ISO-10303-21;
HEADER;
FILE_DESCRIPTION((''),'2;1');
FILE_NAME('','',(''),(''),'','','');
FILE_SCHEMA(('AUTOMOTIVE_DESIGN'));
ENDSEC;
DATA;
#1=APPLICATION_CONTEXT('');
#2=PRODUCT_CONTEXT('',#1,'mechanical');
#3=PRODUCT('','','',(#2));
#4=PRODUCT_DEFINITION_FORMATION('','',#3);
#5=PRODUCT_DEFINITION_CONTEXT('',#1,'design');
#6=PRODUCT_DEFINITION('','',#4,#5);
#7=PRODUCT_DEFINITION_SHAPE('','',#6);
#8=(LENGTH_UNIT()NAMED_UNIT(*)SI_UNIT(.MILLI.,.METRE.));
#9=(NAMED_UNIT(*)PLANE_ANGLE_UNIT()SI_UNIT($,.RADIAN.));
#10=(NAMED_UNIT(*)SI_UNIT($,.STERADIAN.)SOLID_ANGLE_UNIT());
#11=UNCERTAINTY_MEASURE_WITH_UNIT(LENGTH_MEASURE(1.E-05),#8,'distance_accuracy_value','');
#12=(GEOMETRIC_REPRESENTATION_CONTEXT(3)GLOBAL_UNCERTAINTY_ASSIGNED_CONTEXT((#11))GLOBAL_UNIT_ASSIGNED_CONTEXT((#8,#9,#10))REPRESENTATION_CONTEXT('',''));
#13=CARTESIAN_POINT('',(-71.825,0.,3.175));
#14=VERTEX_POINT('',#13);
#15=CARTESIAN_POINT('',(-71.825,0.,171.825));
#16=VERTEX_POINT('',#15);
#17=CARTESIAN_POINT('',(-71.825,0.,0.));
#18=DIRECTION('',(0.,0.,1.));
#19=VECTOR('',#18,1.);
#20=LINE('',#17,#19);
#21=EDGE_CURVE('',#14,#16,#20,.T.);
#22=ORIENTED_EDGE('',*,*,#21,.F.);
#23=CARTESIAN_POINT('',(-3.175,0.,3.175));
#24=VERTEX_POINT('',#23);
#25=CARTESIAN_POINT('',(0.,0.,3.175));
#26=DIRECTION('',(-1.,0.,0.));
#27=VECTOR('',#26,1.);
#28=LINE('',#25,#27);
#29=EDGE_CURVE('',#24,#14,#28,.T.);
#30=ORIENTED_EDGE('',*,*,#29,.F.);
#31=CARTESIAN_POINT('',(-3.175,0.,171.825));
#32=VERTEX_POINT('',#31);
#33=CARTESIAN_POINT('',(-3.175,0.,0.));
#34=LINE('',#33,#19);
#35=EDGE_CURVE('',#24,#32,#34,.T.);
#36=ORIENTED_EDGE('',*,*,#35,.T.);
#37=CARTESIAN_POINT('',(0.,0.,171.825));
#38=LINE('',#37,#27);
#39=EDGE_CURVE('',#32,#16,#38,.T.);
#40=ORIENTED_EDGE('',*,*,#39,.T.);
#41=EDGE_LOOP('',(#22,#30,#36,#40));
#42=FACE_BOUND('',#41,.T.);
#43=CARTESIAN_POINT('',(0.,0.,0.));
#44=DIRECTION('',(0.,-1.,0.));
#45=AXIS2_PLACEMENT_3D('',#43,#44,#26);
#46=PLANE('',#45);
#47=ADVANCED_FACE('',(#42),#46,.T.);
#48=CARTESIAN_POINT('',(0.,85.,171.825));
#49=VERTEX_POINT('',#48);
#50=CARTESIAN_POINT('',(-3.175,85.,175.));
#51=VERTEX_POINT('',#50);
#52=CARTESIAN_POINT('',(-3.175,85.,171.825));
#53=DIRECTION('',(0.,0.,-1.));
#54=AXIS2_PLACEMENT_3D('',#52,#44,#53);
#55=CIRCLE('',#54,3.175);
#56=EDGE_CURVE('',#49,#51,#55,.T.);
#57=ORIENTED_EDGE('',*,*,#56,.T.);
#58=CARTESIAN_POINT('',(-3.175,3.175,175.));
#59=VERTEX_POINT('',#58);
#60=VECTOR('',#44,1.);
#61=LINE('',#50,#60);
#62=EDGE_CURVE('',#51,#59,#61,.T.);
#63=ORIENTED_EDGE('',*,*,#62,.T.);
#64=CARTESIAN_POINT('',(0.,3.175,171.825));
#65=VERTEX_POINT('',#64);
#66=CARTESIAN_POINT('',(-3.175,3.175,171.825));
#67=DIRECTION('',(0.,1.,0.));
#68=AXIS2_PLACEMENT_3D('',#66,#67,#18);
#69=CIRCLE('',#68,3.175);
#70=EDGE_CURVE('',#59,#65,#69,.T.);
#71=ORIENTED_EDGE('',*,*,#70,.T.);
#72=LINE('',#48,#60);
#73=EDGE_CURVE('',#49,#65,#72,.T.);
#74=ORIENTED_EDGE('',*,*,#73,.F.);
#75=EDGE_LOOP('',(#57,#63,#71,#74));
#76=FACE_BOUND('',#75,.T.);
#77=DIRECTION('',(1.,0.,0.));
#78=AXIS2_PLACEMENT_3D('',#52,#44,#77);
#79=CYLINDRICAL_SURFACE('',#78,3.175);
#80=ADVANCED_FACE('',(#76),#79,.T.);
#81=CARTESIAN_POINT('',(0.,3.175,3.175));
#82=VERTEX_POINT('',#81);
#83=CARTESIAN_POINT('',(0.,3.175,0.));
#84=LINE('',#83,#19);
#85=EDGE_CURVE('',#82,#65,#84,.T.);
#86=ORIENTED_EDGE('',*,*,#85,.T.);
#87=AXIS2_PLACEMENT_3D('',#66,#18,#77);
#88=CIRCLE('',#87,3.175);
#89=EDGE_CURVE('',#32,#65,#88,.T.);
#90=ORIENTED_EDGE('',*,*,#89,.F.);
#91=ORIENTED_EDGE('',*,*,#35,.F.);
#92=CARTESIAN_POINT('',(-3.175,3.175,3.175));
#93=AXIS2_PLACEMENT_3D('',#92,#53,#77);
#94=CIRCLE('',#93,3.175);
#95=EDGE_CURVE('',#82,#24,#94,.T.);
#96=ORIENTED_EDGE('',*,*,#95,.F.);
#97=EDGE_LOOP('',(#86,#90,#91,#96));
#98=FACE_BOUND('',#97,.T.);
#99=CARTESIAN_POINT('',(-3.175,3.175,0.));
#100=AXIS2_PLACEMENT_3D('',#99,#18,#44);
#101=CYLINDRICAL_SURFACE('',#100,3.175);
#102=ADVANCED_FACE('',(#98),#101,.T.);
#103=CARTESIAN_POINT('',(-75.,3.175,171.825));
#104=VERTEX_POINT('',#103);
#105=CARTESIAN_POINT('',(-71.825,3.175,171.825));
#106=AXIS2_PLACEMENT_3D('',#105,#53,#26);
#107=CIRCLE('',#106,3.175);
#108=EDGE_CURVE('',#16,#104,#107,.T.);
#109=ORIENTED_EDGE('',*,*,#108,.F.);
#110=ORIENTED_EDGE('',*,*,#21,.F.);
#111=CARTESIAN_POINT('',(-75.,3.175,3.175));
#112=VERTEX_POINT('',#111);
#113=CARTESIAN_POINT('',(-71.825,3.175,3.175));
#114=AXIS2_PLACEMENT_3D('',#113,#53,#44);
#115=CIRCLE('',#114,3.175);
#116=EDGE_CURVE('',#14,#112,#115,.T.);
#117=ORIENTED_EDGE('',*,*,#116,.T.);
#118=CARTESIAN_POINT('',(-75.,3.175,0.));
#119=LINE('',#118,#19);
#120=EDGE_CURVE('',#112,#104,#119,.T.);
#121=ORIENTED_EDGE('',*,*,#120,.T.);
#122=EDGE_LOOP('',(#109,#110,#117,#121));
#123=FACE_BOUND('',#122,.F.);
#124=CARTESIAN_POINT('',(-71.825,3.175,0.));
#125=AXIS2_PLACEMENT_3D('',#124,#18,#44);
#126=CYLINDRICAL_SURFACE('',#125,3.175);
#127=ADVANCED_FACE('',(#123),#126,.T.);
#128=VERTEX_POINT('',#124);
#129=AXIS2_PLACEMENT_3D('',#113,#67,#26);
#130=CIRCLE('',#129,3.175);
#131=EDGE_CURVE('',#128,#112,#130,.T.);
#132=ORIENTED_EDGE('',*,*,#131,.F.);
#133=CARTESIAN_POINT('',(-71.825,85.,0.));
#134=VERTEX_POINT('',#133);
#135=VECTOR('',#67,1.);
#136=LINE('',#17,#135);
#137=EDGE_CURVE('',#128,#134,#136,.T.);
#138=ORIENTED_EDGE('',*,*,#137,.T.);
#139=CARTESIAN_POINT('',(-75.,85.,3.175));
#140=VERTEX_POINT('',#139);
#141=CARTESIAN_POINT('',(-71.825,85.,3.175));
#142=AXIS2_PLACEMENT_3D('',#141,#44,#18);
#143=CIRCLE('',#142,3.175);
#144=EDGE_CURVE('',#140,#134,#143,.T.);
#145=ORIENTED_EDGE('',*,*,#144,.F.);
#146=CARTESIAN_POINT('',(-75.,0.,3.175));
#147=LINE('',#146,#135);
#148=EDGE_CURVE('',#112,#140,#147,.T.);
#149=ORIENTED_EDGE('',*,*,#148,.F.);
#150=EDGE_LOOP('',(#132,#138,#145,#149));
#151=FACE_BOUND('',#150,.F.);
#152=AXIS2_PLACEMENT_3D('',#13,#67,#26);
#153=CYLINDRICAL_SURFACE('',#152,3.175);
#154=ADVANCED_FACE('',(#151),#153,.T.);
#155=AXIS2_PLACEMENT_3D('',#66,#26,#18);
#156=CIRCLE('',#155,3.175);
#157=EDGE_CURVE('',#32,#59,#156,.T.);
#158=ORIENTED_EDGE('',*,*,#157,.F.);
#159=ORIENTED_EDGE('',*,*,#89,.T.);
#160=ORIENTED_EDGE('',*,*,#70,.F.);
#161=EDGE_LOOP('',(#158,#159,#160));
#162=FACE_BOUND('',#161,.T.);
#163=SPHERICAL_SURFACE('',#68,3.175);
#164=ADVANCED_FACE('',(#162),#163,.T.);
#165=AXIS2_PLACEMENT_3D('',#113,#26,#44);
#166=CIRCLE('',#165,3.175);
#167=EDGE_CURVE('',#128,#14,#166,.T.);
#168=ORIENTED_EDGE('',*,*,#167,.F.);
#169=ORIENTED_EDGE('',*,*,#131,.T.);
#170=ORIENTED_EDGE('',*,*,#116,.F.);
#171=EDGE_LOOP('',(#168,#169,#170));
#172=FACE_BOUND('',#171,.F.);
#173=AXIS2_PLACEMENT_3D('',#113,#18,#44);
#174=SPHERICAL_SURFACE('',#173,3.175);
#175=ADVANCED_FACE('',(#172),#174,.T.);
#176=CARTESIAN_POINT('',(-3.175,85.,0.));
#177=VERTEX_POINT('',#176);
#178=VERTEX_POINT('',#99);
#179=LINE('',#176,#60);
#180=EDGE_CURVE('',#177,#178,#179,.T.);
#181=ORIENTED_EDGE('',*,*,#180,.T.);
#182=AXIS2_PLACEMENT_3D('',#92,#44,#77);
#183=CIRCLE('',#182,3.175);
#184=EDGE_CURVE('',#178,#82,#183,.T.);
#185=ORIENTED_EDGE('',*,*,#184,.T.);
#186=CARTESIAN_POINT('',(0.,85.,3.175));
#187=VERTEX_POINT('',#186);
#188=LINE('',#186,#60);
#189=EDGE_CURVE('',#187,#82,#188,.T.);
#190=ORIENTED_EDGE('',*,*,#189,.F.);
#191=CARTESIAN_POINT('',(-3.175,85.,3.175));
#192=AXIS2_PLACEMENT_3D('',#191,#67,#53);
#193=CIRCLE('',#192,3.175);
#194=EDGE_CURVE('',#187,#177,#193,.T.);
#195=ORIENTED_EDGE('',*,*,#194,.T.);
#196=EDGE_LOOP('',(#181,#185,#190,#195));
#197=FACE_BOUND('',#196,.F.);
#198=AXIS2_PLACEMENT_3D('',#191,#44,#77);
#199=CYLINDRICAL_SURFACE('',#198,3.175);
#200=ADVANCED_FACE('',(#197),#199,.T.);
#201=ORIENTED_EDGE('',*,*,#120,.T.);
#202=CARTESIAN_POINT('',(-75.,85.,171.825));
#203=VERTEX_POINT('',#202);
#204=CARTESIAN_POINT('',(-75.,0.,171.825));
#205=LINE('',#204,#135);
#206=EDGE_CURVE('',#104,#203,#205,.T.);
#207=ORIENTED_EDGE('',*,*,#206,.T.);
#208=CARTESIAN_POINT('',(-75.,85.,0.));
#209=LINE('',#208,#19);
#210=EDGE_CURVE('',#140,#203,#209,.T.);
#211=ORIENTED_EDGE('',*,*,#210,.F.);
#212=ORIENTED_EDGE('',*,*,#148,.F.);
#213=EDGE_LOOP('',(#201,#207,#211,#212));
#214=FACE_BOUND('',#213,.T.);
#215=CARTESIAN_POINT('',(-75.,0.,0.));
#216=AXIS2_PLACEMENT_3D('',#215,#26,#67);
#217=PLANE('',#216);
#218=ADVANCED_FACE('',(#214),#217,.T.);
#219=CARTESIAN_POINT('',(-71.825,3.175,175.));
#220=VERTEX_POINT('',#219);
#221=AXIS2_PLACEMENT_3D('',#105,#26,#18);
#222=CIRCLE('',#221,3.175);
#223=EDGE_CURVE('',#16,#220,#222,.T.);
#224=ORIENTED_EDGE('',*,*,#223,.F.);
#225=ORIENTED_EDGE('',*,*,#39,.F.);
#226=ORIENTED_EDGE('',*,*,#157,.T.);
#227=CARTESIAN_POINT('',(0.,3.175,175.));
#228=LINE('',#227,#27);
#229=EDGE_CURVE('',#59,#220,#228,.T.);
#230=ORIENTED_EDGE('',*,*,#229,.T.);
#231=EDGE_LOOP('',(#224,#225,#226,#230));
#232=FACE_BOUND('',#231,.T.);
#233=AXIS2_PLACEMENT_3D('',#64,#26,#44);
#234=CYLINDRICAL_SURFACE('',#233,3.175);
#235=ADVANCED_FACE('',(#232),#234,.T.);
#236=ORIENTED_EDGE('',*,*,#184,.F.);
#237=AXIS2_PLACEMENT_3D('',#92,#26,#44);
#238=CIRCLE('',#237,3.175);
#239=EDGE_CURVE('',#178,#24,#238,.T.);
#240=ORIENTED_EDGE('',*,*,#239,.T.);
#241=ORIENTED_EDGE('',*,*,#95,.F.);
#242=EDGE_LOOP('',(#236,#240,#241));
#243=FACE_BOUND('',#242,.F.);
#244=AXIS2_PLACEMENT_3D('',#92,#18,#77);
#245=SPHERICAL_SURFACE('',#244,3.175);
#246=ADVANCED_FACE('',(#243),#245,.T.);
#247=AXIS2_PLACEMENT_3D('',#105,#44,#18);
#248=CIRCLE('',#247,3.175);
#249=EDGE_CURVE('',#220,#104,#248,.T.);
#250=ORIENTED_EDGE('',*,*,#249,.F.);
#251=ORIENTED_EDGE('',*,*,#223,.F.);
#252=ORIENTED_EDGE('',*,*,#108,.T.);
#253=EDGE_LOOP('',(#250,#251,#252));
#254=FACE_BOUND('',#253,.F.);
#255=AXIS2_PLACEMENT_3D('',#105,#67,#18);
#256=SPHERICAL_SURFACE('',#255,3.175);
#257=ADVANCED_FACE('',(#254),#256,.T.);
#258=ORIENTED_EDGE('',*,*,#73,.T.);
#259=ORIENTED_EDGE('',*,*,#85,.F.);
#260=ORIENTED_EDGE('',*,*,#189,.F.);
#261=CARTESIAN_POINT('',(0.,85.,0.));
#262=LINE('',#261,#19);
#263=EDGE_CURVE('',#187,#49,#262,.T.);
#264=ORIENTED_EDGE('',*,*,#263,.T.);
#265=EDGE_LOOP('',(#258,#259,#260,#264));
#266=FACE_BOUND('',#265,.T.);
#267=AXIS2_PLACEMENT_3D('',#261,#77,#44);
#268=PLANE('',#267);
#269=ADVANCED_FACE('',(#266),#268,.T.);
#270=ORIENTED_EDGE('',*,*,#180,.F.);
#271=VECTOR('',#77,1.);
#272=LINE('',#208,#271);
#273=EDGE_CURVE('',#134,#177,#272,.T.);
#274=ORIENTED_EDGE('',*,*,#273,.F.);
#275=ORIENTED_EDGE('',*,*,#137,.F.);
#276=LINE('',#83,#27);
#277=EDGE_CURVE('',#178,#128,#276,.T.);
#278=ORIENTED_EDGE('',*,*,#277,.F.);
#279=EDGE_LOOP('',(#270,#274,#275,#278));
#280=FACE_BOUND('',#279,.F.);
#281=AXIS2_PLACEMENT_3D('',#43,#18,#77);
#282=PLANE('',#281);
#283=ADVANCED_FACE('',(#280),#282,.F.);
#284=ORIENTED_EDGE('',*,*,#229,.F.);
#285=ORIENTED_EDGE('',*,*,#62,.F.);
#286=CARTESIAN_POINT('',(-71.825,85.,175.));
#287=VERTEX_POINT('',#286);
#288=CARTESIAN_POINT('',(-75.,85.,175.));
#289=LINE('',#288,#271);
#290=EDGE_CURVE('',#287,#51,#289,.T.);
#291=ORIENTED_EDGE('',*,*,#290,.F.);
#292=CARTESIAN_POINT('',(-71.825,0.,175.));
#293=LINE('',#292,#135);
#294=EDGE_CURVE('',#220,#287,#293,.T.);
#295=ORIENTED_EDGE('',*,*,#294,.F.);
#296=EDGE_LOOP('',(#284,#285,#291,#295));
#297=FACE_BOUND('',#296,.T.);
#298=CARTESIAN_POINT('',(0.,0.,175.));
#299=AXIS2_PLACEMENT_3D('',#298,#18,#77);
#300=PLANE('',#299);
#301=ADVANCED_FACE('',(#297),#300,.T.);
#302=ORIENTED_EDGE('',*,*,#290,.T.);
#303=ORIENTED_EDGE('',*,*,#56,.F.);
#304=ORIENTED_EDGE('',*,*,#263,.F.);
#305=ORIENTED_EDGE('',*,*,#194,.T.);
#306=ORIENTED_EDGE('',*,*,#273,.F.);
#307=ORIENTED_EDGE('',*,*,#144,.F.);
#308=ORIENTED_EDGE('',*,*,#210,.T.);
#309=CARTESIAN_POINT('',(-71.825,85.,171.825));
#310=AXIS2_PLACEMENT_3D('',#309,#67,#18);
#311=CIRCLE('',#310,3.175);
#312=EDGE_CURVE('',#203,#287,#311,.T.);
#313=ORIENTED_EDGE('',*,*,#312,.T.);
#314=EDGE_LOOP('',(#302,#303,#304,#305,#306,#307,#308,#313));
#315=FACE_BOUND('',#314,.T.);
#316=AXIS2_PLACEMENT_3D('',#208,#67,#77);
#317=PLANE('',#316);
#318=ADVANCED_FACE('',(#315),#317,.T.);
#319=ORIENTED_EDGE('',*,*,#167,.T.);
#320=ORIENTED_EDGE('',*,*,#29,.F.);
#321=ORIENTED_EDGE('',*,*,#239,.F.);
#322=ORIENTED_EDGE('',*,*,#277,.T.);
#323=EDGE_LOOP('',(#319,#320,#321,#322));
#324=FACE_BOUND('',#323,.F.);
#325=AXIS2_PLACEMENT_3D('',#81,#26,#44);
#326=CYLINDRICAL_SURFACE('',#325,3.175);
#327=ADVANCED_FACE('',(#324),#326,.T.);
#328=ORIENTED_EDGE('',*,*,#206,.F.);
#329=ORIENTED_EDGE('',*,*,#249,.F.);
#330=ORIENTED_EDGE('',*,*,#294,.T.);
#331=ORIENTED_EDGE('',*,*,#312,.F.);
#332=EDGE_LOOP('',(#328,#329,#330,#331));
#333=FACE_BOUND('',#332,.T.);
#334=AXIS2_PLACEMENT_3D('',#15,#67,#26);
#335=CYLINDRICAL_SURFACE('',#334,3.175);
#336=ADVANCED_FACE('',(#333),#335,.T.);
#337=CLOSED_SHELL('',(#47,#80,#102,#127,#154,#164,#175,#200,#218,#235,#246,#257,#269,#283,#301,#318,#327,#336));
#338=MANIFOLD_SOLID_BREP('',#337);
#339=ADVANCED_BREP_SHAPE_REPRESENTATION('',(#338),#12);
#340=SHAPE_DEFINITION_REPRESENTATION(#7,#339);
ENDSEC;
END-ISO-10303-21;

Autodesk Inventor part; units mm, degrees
ref_plane "YZ Plane" through (0, 0, 0) normal (1, 0, 0) x (0, 1, 0)
ref_plane "XZ Plane" through (0, 0, 0) normal (0, 1, 0) x (-1, 0, 0)
ref_plane "XY Plane" through (0, 0, 0) normal (0, 0, 1) x (1, 0, 0)
sketch "Sketch1" plane through (0, 0, 0) normal (0, 0, 1) x (1, 0, 0)
  line L0 (0, 0) -> (-75, 0)
  line L1 (-75, 0) -> (-75, 85)
  line L2 (-75, 85) -> (0, 85)
  line L3 (0, 85) -> (0, 0)
  dimension "d0" = 75
  dimension "d1" = 85
extrude "Extrusion1" add sketch "Sketch1" along normal blind 175
fillet "Fillet2" radius 3.175 8 edges at (-75, 42.5, 175) (0, 42.5, 175) (-37.5, 0, 175) (-75, 0, 87.5) (0, 0, 87.5) (0, 42.5, 0) (-37.5, 0, 0) (-75, 42.5, 0)
properties part number "solar_power_buffer_battery" material "Iron, Ductile"
